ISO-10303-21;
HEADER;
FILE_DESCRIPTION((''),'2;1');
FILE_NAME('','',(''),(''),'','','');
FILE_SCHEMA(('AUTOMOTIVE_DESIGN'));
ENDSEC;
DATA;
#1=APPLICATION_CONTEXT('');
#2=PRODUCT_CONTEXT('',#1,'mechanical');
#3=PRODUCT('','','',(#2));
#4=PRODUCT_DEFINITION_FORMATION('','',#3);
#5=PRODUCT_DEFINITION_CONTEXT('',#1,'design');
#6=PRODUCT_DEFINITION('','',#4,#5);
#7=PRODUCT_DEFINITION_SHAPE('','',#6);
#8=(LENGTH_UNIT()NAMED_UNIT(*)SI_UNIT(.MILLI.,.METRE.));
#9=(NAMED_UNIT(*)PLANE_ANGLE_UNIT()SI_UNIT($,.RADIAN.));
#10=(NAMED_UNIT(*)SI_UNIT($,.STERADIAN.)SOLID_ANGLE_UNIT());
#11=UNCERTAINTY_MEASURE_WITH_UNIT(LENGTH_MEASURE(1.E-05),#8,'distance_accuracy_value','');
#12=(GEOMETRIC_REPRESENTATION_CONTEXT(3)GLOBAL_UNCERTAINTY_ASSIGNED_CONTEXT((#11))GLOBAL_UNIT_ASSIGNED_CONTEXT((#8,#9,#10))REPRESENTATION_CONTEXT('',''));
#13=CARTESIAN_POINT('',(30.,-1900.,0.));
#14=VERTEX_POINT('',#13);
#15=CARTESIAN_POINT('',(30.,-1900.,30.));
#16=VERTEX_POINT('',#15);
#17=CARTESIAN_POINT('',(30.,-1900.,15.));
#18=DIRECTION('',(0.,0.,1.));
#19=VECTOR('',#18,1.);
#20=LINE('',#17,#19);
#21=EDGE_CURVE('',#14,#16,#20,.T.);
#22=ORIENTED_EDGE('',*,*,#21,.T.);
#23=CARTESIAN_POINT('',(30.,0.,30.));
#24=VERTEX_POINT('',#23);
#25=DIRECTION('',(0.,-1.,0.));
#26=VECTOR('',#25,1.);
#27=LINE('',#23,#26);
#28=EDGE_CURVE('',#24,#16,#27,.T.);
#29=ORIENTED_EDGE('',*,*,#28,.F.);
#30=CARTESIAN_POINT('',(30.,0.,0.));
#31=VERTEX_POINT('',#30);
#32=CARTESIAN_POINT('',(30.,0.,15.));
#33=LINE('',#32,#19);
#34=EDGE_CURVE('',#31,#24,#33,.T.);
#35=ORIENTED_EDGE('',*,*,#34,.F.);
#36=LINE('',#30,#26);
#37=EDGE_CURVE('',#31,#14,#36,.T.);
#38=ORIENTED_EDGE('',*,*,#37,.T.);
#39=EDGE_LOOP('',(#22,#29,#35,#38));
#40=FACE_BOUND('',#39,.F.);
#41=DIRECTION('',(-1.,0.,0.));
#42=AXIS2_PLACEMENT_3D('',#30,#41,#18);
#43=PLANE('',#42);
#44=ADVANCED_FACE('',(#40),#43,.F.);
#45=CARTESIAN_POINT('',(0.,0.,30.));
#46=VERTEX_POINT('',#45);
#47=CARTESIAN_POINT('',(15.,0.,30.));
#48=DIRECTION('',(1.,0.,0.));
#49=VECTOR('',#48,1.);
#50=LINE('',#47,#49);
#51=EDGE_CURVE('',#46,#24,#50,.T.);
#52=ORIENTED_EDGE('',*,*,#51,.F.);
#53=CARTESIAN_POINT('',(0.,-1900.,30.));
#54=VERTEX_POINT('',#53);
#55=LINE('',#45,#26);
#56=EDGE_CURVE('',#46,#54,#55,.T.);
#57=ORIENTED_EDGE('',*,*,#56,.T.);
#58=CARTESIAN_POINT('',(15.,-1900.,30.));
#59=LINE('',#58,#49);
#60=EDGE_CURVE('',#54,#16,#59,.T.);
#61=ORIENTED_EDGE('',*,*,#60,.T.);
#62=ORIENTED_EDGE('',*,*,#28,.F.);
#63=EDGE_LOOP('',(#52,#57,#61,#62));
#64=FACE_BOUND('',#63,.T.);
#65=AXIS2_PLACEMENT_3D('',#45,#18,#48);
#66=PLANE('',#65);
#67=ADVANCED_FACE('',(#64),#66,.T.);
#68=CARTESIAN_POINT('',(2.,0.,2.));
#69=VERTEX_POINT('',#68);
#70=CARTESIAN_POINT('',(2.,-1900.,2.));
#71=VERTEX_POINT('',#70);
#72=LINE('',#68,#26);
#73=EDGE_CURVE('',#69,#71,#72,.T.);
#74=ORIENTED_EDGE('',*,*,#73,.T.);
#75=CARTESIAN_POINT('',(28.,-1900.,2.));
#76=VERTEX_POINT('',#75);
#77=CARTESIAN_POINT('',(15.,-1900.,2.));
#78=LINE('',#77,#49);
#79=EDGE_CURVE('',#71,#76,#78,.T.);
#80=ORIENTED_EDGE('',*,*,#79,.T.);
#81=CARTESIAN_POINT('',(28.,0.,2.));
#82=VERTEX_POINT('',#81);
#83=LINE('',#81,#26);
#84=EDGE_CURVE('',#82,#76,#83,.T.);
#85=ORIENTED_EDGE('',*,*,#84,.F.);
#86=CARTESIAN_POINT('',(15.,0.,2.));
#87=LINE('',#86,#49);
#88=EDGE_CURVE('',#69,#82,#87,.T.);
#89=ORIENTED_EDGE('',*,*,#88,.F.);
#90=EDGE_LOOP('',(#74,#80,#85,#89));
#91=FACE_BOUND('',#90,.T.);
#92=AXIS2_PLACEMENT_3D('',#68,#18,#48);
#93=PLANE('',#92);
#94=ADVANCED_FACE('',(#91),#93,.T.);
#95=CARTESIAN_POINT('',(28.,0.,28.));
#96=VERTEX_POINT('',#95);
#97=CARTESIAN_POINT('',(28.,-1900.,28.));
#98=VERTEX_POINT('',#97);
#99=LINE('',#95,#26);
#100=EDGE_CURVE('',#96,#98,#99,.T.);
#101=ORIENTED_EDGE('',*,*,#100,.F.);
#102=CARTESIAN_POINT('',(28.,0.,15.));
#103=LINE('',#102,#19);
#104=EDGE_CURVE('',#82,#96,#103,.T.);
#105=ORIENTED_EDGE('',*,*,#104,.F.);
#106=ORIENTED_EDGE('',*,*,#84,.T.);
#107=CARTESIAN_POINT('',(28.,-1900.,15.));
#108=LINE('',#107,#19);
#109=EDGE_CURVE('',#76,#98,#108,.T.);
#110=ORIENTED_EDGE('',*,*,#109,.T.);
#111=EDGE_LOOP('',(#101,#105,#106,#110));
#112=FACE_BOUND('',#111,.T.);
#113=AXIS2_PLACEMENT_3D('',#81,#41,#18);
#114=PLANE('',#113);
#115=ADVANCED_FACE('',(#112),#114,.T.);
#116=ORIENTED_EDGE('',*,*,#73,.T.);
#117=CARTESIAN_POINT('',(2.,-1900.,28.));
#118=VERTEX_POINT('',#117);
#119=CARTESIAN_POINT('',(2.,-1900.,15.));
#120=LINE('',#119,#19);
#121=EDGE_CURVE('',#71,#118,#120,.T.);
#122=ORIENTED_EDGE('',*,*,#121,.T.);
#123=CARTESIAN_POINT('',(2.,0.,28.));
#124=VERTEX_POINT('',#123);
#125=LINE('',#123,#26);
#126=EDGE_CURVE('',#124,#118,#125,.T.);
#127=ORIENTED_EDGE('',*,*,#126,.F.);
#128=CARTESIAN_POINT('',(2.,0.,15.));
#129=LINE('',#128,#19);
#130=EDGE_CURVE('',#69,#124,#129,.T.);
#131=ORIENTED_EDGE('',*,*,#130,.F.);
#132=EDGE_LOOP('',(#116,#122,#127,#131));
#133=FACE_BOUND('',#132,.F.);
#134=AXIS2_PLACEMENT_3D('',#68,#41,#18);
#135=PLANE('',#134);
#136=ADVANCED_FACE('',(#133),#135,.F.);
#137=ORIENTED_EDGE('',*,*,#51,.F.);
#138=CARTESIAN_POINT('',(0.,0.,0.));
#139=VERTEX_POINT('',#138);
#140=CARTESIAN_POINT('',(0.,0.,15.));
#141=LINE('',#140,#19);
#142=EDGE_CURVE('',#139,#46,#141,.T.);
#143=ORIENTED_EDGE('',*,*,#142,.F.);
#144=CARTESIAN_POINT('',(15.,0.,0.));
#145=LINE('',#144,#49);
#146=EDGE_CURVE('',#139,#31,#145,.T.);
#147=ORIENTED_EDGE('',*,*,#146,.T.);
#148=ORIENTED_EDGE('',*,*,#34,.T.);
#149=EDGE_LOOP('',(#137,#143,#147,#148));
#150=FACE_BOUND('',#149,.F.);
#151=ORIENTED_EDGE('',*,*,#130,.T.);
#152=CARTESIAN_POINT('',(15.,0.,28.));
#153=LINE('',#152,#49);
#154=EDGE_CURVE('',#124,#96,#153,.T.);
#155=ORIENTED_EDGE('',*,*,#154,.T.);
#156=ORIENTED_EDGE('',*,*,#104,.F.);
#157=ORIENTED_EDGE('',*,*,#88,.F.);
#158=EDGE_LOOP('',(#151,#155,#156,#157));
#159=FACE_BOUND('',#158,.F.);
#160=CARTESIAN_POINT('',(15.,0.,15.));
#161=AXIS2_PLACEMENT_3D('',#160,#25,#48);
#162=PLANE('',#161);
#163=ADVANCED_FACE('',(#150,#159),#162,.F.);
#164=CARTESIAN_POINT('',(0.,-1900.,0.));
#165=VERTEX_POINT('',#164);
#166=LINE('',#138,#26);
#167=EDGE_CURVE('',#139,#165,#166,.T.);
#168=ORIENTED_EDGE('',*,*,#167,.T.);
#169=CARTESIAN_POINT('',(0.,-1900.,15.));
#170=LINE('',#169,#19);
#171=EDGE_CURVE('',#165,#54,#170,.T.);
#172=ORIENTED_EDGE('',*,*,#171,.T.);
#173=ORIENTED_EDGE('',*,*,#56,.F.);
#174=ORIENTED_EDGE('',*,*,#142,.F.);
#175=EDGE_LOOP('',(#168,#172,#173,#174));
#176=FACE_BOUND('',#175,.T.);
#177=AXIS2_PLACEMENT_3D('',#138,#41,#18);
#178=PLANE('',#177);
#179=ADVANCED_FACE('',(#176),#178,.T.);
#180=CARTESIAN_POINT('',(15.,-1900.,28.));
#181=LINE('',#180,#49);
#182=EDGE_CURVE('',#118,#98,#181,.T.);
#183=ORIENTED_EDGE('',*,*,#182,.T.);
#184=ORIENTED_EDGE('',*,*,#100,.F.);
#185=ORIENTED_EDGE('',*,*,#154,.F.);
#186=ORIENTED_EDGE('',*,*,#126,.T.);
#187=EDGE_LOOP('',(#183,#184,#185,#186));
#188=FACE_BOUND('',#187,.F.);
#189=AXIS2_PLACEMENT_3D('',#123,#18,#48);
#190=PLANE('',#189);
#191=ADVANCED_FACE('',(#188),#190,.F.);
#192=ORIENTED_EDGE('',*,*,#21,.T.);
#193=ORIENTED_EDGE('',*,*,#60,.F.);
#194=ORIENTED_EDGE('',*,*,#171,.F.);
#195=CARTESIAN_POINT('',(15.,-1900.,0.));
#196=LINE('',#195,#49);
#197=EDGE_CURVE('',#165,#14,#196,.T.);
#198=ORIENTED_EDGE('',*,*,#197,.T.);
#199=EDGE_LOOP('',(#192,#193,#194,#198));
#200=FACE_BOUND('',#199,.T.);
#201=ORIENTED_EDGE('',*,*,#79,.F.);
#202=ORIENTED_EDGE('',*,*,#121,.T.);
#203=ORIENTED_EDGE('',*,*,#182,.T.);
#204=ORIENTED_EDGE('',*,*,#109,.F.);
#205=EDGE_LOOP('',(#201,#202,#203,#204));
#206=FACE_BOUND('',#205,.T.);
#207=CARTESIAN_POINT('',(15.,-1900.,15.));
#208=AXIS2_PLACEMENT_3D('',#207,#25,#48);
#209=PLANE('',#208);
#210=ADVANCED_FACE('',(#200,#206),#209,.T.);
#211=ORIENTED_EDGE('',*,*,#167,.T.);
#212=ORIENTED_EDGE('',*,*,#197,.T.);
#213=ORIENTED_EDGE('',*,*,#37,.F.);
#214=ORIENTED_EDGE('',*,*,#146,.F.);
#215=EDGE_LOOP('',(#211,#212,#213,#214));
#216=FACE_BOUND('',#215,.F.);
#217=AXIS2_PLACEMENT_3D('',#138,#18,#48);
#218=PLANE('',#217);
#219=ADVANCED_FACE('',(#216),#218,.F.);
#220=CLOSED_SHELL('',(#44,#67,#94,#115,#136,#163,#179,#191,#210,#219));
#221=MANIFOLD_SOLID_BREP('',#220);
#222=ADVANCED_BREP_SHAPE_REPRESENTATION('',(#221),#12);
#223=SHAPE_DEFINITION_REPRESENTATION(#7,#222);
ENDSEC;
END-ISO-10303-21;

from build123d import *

# Parameters (mm, degrees)
SKETCH_W   = 30
SKETCH_H   = 30
SKETCH_W_2 = 26
SKETCH_H_2 = 26
PAD_DEPTH  = 1900


with BuildPart() as part:
    # Sketch → Pad (new body)
    with BuildSketch(Plane.XZ):
        with Locations((15, 15)):
            Rectangle(SKETCH_W, SKETCH_H)
        with Locations((15, 15)):
            Rectangle(SKETCH_W_2, SKETCH_H_2, mode=Mode.SUBTRACT)
    extrude(amount=PAD_DEPTH)


solid = part.part
